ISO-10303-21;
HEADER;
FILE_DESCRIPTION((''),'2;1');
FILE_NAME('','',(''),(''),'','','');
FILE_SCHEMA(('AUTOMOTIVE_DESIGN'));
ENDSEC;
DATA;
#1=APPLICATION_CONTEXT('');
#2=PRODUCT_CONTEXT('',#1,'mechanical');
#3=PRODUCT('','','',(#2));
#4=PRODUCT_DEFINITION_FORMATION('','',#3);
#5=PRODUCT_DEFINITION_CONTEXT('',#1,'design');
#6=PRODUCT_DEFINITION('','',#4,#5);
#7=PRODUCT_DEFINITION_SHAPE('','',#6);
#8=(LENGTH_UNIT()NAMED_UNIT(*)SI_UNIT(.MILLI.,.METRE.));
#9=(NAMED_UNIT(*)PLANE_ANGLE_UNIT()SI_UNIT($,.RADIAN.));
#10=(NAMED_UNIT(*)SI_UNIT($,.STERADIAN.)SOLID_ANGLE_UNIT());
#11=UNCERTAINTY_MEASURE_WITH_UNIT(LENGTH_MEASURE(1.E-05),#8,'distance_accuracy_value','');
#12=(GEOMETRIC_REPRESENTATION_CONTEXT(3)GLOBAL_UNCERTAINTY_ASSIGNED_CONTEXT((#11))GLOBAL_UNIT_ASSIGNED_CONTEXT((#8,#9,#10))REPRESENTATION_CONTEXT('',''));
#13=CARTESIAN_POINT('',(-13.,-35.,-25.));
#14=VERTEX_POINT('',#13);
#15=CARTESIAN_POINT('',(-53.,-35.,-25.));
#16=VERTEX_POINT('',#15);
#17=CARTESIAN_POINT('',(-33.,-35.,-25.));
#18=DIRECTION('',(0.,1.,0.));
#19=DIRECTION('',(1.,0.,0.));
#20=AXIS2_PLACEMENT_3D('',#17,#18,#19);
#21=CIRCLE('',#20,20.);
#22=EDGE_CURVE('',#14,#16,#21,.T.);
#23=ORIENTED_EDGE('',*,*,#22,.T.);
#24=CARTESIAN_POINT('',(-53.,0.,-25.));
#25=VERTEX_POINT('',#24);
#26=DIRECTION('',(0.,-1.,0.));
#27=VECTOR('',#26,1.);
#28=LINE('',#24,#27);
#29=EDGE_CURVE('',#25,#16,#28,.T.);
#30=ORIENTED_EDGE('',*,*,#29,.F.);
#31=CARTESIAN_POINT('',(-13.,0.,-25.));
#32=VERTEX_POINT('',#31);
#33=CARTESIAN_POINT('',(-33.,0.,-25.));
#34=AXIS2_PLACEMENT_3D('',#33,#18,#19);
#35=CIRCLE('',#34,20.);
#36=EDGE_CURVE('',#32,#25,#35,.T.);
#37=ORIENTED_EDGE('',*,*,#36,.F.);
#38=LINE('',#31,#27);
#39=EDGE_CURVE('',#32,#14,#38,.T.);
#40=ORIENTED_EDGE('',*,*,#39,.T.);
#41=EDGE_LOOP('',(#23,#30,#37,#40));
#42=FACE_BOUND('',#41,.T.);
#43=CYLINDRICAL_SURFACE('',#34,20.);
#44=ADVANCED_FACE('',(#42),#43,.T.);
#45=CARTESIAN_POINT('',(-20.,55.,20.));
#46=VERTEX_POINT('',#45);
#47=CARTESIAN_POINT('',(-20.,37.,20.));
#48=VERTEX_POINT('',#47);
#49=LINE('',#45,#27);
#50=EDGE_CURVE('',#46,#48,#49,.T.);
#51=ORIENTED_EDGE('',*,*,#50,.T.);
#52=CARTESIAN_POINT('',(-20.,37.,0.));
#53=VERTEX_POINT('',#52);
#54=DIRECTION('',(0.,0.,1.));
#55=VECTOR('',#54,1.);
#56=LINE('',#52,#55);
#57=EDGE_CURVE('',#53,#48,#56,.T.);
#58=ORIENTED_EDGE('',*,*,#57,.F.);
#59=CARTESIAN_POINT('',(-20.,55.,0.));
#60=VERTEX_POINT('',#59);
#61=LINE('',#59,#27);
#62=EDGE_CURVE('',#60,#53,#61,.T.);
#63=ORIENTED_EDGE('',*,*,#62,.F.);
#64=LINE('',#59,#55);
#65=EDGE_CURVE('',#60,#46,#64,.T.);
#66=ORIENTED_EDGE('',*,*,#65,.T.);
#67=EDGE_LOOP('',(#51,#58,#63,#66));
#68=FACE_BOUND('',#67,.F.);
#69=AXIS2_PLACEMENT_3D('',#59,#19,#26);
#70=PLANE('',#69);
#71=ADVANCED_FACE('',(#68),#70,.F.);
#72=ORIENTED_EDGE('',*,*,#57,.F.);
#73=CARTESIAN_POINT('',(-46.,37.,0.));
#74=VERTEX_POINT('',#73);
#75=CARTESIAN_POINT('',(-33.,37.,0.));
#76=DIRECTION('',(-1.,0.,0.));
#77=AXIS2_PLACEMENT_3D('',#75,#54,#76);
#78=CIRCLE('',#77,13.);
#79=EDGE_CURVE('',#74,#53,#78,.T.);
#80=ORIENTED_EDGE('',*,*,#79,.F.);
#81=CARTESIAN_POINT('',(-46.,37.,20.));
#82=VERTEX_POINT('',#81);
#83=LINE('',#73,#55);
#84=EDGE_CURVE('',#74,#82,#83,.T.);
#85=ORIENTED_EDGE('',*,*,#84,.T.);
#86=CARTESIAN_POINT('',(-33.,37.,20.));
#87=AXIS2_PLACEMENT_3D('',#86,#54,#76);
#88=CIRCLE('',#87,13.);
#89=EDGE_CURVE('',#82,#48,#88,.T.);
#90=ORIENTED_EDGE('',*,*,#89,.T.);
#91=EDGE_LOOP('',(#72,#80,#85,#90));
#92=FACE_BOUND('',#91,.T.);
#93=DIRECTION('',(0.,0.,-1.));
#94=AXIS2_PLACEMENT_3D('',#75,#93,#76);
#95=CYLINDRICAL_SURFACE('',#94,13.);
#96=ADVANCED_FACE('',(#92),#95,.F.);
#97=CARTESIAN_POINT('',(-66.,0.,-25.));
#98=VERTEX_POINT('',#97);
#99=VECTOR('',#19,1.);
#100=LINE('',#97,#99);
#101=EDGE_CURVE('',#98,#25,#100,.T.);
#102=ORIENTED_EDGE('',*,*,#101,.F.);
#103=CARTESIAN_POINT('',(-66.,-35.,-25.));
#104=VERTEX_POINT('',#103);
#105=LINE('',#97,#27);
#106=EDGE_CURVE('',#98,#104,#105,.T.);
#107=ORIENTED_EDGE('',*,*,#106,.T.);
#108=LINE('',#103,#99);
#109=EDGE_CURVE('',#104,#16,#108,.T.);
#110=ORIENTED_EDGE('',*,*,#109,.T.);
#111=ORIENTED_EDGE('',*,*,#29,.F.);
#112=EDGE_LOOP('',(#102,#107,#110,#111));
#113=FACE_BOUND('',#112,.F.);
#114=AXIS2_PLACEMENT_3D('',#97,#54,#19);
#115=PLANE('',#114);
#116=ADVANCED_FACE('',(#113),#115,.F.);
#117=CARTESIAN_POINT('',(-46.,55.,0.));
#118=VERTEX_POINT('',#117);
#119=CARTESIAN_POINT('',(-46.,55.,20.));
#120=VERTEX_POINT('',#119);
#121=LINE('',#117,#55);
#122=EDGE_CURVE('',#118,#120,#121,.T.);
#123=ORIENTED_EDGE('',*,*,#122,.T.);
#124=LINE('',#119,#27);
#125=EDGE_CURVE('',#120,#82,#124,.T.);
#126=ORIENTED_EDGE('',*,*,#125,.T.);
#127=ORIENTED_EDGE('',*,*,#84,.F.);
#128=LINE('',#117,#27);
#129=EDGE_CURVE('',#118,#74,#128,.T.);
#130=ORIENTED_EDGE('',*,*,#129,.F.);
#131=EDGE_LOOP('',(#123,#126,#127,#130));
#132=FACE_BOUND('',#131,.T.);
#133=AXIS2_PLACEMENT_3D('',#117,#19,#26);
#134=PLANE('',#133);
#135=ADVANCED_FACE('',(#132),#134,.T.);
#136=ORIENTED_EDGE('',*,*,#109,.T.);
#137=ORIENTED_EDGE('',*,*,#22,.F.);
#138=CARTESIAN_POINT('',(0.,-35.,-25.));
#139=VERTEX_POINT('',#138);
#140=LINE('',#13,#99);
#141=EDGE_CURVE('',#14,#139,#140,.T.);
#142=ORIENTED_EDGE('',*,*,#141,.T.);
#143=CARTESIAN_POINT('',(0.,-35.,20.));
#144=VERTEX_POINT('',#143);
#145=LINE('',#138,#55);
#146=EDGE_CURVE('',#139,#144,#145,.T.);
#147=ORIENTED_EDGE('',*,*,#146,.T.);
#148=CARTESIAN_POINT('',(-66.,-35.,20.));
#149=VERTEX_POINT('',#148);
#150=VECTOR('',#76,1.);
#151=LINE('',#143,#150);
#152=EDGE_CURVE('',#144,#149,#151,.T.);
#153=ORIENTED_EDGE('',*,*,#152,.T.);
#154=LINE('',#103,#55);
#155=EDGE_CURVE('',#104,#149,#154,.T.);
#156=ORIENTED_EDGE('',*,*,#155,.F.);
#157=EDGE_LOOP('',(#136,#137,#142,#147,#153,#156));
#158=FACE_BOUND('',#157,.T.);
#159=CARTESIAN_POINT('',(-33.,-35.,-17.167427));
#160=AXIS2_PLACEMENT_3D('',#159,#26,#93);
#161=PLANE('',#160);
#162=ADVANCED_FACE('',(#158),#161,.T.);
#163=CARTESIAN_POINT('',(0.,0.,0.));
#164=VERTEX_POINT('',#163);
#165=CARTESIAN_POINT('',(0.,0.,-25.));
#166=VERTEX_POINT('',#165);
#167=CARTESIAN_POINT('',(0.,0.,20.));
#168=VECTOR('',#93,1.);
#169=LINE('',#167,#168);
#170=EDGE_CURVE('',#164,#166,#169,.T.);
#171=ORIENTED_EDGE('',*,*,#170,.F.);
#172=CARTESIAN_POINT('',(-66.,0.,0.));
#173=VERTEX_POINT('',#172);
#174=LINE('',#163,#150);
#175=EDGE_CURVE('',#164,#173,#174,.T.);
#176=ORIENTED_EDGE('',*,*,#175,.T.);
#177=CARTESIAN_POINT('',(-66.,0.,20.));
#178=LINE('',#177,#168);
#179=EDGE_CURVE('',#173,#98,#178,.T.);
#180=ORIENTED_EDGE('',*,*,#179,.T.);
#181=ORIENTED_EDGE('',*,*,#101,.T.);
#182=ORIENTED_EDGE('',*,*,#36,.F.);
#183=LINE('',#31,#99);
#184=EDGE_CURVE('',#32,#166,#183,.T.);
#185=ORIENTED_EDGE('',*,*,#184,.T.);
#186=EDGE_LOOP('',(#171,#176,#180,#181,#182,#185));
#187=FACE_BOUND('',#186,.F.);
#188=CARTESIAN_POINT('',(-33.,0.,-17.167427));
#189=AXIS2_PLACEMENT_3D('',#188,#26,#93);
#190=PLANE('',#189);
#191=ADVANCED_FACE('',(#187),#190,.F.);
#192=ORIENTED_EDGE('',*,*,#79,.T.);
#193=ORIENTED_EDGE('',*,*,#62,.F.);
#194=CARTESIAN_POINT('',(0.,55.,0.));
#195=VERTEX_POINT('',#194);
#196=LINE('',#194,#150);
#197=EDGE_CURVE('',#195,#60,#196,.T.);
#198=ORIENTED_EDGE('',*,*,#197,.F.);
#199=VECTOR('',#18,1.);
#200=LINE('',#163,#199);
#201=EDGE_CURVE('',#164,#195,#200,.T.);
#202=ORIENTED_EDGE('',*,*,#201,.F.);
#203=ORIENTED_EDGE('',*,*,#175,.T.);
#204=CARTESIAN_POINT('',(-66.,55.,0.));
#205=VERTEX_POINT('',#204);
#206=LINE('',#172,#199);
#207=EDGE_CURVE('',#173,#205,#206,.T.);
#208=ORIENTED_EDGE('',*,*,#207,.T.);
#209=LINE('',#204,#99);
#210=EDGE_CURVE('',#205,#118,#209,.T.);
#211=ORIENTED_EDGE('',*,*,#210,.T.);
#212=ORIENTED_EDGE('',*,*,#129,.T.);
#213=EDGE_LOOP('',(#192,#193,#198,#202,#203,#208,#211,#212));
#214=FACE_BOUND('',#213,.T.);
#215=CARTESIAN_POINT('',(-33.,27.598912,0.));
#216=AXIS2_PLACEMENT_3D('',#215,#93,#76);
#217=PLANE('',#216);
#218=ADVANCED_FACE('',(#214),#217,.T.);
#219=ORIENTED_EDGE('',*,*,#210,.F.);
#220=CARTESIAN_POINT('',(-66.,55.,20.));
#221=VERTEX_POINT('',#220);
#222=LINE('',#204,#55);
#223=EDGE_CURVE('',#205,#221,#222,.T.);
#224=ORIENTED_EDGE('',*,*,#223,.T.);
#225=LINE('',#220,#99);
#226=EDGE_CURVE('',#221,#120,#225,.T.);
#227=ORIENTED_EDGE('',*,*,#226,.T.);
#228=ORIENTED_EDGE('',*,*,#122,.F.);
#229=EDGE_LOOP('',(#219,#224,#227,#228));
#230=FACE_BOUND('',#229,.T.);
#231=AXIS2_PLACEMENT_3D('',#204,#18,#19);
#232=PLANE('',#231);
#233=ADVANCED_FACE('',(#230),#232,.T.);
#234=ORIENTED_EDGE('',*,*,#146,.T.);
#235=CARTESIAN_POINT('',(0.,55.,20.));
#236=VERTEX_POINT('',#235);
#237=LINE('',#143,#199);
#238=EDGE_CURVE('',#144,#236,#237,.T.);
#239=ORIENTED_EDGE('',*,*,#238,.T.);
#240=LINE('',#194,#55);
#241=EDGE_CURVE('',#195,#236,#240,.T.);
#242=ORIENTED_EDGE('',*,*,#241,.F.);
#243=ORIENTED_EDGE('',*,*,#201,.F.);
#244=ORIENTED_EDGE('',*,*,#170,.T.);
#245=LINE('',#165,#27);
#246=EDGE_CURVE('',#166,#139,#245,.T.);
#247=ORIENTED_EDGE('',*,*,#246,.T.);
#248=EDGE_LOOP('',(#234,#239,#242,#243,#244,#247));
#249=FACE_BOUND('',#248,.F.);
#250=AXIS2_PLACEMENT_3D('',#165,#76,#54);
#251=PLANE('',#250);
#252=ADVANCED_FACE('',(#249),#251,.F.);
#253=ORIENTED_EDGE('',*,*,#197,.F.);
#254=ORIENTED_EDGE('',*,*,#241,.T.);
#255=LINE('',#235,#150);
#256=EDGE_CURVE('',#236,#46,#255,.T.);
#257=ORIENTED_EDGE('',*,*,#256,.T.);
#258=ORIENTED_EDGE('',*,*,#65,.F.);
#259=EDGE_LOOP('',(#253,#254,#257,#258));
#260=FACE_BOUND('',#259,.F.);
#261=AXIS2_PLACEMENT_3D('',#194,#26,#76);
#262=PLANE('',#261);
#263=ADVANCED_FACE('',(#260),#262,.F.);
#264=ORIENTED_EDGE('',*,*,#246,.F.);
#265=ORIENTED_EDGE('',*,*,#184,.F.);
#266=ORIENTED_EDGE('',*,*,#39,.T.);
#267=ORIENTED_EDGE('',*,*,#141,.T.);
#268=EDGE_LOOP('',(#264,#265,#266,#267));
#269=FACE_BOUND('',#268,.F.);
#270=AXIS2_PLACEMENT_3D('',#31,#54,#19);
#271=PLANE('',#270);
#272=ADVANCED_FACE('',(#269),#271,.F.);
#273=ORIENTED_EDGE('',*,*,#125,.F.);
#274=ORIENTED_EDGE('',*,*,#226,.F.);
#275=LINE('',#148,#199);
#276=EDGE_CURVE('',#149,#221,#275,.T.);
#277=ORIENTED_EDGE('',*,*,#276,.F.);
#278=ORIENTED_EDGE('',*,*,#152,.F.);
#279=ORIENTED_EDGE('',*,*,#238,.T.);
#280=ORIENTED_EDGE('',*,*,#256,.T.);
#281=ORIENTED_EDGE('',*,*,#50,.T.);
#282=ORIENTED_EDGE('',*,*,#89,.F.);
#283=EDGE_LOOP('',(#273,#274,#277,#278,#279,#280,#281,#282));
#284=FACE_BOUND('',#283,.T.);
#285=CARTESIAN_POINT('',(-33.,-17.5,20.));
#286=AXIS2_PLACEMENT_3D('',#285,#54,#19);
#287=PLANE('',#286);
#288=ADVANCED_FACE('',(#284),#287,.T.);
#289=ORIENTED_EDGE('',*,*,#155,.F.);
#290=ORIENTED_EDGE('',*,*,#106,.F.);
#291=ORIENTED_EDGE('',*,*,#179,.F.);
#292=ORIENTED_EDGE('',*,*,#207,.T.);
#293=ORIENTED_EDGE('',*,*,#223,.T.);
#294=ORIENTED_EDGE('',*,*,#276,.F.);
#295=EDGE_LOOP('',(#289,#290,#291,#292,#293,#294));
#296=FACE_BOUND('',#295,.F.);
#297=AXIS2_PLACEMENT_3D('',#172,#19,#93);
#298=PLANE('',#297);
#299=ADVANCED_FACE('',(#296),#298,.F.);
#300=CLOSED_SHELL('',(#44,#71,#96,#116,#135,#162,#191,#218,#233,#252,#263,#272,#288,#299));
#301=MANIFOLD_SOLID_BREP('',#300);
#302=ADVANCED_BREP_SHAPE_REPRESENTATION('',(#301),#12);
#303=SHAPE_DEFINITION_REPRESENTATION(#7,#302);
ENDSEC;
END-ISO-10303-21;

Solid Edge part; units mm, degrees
sketch "Sketch1" plane through (0, 0, 0) normal (0, -1, 0) x (1, 0, 0)
  line L0 (-66, -25) -> (-53, -25)
  line L1 (-13, -25) -> (0, -25)
  line L2 (0, -25) -> (0, 0)
  line L3 (0, 0) -> (-66, 0)
  line L4 (-66, 0) -> (-66, -25)
  arc A0 (-13, -25) -> (-53, -25) centre (-33, -25) cw
extrude "Protrusion1" add sketch "Sketch1" along normal blind 35
sketch "Sketch2" plane through (0, 0, 0) normal (0, 0, -1) x (-1, 0, 0)
  line L0 (0, -35) -> (0, 0)
  line L1 (0, 0) -> (66, 0)
  line L2 (66, -35) -> (66, 0)
  line L3 (0, -35) -> (66, -35)
extrude "ExtrudedProtrusion_6" add sketch "Sketch2" against normal blind 20
sketch "Sketch3" plane through (0, 0, 0) normal (0, 0, -1) x (-1, 0, 0)
  line L0 (66, 0) -> (66, 55)
  line L1 (66, 55) -> (46, 55)
  line L2 (46, 55) -> (46, 37)
  line L3 (20, 55) -> (20, 37)
  line L4 (0, 55) -> (20, 55)
  line L5 (0, 0) -> (0, 55)
  line L6 (0, 0) -> (66, 0)
  arc A0 (46, 37) -> (20, 37) centre (33, 37) cw
extrude "ExtrudedProtrusion_7" add sketch "Sketch3" against normal blind 20
